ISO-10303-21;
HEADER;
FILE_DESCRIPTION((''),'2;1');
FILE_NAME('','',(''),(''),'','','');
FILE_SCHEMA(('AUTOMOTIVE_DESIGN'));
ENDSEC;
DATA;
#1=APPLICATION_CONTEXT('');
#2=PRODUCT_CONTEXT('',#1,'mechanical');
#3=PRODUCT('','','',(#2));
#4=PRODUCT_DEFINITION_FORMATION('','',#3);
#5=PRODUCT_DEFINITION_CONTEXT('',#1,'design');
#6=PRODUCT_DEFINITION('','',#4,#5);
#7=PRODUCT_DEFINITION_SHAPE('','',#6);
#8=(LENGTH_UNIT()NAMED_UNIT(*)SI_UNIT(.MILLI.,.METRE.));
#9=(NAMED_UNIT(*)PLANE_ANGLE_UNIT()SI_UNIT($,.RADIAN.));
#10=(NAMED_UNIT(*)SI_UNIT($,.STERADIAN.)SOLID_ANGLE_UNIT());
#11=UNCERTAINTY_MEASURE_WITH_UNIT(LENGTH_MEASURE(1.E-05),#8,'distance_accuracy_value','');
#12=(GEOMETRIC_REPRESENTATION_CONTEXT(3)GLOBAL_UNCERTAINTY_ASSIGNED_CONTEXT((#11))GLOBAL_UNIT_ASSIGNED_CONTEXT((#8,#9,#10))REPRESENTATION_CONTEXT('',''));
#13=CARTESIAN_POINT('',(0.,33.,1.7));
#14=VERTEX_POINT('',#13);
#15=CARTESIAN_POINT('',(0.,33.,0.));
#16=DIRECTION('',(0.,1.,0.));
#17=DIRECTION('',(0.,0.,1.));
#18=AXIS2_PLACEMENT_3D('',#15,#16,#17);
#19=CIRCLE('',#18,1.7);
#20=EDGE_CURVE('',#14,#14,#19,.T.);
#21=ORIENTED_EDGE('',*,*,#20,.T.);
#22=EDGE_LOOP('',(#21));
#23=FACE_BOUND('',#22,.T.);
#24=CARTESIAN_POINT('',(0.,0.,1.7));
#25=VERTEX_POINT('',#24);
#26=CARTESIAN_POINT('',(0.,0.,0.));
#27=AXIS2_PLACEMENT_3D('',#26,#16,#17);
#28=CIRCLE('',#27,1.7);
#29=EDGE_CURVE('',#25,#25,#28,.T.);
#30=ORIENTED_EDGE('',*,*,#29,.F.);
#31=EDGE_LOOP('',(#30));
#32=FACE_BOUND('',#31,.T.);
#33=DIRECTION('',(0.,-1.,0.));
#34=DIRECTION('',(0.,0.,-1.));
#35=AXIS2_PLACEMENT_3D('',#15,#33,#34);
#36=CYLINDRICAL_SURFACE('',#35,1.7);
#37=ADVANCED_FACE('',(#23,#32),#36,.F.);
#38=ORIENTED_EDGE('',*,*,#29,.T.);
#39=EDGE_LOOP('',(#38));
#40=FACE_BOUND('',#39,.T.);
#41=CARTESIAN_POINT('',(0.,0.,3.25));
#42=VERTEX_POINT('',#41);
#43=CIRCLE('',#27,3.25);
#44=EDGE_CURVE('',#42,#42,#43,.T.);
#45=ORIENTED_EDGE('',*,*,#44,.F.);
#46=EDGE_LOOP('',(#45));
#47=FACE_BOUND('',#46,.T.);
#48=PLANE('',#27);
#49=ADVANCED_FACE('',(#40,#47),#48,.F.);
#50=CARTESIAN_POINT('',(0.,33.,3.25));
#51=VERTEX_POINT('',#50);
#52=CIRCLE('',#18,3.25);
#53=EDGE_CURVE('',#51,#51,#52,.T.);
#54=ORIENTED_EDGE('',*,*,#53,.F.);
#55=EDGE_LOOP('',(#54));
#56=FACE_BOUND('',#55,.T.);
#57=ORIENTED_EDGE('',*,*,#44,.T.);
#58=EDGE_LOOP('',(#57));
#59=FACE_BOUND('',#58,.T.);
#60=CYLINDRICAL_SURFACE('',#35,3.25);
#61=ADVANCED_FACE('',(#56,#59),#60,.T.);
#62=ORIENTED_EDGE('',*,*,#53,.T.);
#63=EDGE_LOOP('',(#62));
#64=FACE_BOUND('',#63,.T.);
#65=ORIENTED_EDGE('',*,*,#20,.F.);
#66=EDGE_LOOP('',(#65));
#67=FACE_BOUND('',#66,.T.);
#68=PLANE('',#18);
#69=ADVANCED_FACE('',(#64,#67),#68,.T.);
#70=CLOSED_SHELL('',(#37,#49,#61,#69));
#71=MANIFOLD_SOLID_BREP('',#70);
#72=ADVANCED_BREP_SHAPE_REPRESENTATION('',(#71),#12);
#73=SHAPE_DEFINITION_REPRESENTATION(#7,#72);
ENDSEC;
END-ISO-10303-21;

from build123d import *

# Parameters (mm, degrees)
SKETCH1_R           = 3.25
SKETCH1_R_2         = 1.7
BOSS_EXTRUDE1_DEPTH = 33


with BuildPart() as part:
    # Sketch1 → Boss-Extrude1 (new body)
    with BuildSketch(Plane(origin=(0, 0, 0), x_dir=(1, 0, 0), z_dir=(0, 1, 0))):
        Circle(SKETCH1_R)
        Circle(SKETCH1_R_2, mode=Mode.SUBTRACT)
    extrude(amount=BOSS_EXTRUDE1_DEPTH)


solid = part.part
